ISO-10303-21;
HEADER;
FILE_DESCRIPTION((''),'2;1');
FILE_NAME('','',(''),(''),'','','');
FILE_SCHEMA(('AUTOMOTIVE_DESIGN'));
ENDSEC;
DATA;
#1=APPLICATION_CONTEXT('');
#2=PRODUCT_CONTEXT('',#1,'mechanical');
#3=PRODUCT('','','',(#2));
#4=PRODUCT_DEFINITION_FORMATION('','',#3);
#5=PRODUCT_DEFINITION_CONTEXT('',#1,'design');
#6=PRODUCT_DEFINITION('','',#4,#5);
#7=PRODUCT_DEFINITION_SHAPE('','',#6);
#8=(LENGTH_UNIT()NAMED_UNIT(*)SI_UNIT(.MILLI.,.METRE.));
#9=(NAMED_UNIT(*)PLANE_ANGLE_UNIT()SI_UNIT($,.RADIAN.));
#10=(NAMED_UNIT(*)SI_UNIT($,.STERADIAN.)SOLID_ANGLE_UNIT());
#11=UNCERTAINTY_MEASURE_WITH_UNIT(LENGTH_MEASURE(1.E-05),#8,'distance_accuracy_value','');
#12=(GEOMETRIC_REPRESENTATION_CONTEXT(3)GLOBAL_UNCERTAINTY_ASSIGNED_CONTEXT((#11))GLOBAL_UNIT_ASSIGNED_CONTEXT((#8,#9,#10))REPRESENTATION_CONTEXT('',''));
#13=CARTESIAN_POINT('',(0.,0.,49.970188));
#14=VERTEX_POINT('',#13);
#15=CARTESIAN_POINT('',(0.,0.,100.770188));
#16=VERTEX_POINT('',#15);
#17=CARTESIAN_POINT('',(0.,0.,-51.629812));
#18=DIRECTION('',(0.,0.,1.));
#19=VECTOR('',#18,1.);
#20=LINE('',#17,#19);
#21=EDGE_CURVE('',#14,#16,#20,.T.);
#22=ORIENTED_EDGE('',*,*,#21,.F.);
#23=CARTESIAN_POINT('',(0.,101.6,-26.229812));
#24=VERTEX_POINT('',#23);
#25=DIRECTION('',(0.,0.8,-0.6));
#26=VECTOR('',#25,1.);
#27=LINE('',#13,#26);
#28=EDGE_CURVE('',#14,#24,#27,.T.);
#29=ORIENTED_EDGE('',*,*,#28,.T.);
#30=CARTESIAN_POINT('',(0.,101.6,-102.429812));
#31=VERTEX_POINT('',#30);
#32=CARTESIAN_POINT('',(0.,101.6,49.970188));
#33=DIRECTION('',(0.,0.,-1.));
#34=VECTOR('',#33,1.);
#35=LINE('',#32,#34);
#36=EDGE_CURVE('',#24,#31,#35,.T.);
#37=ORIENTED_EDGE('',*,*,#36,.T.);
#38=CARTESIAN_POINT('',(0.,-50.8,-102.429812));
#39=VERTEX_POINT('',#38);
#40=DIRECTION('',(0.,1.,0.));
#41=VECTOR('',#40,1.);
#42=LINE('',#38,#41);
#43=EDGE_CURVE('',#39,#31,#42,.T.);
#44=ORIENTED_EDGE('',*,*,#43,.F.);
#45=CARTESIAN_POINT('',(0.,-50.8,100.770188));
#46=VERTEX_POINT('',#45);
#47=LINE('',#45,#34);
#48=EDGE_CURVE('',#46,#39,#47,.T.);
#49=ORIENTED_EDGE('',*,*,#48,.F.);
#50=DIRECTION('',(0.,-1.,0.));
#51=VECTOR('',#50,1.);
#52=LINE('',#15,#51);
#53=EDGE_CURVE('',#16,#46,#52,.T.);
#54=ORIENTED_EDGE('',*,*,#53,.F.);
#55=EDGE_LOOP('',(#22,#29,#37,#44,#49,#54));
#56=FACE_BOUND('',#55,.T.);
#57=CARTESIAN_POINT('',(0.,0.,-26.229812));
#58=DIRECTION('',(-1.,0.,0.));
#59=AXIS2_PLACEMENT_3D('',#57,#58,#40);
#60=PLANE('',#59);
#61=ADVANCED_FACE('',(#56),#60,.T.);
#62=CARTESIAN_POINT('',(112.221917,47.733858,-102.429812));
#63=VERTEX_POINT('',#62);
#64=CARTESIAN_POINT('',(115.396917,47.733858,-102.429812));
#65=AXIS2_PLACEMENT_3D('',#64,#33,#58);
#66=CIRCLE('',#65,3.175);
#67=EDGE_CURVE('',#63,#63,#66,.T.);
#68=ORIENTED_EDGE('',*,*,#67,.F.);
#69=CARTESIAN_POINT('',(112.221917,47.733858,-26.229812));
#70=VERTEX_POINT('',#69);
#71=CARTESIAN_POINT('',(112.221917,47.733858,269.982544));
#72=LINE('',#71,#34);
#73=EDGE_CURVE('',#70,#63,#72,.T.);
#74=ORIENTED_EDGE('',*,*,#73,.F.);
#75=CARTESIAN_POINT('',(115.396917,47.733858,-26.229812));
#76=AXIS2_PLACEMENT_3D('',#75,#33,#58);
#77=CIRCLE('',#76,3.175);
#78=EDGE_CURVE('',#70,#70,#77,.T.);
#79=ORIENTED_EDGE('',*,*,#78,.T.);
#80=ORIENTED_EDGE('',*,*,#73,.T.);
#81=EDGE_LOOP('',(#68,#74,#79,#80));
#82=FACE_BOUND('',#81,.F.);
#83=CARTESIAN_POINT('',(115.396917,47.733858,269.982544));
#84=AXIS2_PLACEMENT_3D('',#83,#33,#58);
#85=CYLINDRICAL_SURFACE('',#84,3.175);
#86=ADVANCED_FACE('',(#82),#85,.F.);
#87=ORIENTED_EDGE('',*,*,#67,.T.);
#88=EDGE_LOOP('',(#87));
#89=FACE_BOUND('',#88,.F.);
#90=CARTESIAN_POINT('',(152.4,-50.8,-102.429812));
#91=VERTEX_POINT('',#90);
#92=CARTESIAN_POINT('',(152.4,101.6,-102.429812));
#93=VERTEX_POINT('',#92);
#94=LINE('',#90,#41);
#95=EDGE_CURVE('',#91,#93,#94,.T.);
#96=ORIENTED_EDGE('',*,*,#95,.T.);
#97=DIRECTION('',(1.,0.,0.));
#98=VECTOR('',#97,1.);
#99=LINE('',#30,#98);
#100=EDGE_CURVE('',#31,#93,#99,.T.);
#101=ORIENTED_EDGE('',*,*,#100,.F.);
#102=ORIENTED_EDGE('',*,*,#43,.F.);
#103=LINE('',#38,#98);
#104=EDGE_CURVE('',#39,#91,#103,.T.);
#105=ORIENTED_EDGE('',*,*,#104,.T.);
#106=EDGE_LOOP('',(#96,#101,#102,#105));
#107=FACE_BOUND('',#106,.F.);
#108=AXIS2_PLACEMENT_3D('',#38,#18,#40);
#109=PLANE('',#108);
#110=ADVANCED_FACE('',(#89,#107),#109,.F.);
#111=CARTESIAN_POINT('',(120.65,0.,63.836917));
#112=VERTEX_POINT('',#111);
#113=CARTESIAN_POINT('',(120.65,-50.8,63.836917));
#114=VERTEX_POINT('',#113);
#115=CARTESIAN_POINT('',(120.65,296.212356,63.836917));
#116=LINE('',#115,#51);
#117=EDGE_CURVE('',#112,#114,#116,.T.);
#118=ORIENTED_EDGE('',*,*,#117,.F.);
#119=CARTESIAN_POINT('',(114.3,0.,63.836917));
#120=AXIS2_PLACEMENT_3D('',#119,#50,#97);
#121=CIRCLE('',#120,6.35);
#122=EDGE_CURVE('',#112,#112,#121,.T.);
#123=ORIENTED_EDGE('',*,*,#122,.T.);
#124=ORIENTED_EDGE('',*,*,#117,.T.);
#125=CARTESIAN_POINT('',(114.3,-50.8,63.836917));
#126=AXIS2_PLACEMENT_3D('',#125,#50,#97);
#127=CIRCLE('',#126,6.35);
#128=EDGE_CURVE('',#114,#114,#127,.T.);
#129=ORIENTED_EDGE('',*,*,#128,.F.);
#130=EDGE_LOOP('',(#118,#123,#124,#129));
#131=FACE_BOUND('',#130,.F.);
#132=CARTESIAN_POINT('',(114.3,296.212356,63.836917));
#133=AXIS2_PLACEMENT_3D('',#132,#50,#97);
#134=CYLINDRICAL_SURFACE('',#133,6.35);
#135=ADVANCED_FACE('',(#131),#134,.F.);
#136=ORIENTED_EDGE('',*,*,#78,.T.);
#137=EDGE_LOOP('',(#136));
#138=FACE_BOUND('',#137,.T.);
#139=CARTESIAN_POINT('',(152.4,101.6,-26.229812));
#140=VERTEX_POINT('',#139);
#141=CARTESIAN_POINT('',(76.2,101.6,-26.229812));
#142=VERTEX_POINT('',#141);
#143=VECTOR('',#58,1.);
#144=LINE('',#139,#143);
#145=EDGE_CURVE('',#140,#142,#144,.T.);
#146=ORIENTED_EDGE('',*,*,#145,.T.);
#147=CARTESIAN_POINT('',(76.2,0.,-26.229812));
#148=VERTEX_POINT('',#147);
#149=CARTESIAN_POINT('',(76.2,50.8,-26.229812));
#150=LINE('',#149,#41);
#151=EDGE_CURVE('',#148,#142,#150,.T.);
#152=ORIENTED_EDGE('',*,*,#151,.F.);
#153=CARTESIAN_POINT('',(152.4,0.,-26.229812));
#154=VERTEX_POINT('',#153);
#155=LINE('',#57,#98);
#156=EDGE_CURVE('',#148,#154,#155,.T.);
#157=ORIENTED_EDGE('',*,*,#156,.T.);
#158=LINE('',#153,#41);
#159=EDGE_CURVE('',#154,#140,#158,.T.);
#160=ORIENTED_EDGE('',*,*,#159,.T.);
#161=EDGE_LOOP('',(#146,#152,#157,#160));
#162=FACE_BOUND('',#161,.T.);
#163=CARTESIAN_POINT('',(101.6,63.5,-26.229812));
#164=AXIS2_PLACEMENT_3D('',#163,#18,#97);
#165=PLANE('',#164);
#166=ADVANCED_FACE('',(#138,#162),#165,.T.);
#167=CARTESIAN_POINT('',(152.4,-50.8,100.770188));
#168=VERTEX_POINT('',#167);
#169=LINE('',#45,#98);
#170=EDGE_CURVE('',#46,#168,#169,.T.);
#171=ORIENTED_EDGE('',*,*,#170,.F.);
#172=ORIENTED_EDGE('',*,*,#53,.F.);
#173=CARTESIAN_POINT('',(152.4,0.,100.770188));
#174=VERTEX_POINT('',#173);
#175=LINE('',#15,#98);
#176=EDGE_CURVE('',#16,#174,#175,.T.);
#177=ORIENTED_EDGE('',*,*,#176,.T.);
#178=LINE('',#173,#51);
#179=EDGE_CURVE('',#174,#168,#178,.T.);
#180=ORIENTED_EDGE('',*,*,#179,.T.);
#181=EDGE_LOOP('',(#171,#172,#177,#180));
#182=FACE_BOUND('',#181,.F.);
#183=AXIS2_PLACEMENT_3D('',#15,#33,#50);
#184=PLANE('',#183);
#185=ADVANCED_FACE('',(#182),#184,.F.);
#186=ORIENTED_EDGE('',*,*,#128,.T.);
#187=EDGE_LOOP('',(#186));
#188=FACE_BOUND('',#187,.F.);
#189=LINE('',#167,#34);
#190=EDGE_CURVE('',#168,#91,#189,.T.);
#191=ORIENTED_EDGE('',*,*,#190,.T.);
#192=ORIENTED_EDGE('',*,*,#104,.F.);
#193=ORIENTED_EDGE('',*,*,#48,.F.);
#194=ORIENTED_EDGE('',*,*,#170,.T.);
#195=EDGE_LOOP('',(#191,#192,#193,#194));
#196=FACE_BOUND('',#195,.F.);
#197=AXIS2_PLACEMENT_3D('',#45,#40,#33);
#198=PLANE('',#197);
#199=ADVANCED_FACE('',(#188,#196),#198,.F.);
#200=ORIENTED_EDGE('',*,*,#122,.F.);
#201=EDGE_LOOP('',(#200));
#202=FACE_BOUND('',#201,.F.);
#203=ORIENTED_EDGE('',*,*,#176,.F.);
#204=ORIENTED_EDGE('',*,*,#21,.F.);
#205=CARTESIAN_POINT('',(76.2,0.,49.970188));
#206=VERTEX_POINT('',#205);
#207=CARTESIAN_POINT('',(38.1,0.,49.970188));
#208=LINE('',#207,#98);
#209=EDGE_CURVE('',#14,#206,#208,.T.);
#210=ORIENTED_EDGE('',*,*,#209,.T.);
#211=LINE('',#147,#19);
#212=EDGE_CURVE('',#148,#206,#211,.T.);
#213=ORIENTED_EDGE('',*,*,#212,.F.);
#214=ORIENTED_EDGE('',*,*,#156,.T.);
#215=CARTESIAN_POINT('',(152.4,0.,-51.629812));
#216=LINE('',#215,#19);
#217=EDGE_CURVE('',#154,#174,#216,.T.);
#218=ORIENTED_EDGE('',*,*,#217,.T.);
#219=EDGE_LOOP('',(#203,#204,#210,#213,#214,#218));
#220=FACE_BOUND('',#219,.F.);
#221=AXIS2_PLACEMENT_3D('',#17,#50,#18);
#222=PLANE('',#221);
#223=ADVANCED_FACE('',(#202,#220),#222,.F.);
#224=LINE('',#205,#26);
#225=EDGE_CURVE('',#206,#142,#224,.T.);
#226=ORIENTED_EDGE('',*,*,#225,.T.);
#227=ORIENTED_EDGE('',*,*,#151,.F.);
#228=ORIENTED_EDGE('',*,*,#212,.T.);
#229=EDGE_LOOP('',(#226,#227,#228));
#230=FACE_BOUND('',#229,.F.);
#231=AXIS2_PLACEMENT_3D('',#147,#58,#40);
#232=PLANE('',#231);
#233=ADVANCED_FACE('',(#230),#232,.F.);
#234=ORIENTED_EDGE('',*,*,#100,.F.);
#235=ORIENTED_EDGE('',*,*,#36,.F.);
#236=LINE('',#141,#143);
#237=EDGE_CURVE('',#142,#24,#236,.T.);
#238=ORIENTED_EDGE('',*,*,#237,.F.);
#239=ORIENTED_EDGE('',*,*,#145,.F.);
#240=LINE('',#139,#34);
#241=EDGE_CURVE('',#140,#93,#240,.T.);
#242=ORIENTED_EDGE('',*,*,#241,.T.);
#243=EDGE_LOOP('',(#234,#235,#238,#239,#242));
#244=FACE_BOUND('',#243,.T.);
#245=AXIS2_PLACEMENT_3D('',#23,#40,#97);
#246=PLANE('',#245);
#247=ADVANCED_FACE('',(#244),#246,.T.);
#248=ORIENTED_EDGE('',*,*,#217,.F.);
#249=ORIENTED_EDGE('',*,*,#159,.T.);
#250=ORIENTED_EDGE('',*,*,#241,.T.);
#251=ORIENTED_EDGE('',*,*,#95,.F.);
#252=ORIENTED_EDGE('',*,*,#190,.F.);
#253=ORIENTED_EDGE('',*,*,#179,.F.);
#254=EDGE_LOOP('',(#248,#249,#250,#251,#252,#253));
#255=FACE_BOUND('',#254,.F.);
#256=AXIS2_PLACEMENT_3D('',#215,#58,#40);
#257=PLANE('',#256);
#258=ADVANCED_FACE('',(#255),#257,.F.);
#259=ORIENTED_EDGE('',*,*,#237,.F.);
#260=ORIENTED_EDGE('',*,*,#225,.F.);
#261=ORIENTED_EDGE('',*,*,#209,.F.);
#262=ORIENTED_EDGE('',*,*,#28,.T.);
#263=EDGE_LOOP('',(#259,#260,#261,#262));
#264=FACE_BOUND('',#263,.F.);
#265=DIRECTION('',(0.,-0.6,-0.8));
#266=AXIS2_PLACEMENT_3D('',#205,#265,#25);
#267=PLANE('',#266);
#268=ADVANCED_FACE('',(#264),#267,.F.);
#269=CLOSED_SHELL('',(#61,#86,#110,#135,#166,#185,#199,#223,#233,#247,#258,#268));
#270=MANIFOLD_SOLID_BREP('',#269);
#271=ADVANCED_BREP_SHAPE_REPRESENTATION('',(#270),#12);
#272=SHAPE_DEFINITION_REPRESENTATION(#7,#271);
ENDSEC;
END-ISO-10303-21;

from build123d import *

# Parameters (mm, degrees)
F1_DEPTH = 152.4
F2_W     = 101.6
F2_H     = 76.2
F3_DEPTH = 25.4
F4_W     = 76.2
F4_H     = 101.6
F5_DEPTH = 76.2
F7_D     = 6.35
F9_DEPTH = 76.2
F11_D    = 12.7


with BuildPart() as f1:
    # F0 (on Right) → F1 (new body)
    with BuildSketch(Plane.YZ):
        Polygon((0, 100.770188), (-50.8, 100.770188), (-50.8, -102.429812), (101.6, -102.429812), (101.6, -51.629812), (0, -51.629812), align=None)
    extrude(amount=F1_DEPTH)

    # F2 (on face) → F3 (join)
    with BuildSketch(Plane.XY.offset(-51.629812)):
        with Locations((101.6, 63.5)):
            Rectangle(F2_W, F2_H)
        Polygon((152.4, 25.4), (50.8, 25.4), (50.8, 101.6), (0, 101.6), (0, 0), (152.4, 0), align=None)
    extrude(amount=F3_DEPTH)

    # F4 (on face) → F5 (join)
    with BuildSketch(Plane.XY.offset(-26.229812)):
        with Locations((38.1, 50.8)):
            Rectangle(F4_W, F4_H)
    extrude(amount=F5_DEPTH)

    # F7 (through all)
    with Locations(Plane.XY.offset(-26.229812)):
        with Locations((115.396917, 47.733858)):
            Hole(F7_D / 2)

    # F8 (on face) → F9 (cut)
    with BuildSketch(Plane.YZ.offset(76.2)):
        Polygon((101.6, 49.970188), (0, 49.970188), (101.6, -26.229812), align=None)
    extrude(amount=-F9_DEPTH, mode=Mode.SUBTRACT)

    # F11 (through all)
    with Locations(Plane(origin=(0, 0, 0), x_dir=(-1, 0, 0), z_dir=(0, 1, 0))):
        with Locations((-114.3, 63.836917)):
            Hole(F11_D / 2)


solid = f1.part
